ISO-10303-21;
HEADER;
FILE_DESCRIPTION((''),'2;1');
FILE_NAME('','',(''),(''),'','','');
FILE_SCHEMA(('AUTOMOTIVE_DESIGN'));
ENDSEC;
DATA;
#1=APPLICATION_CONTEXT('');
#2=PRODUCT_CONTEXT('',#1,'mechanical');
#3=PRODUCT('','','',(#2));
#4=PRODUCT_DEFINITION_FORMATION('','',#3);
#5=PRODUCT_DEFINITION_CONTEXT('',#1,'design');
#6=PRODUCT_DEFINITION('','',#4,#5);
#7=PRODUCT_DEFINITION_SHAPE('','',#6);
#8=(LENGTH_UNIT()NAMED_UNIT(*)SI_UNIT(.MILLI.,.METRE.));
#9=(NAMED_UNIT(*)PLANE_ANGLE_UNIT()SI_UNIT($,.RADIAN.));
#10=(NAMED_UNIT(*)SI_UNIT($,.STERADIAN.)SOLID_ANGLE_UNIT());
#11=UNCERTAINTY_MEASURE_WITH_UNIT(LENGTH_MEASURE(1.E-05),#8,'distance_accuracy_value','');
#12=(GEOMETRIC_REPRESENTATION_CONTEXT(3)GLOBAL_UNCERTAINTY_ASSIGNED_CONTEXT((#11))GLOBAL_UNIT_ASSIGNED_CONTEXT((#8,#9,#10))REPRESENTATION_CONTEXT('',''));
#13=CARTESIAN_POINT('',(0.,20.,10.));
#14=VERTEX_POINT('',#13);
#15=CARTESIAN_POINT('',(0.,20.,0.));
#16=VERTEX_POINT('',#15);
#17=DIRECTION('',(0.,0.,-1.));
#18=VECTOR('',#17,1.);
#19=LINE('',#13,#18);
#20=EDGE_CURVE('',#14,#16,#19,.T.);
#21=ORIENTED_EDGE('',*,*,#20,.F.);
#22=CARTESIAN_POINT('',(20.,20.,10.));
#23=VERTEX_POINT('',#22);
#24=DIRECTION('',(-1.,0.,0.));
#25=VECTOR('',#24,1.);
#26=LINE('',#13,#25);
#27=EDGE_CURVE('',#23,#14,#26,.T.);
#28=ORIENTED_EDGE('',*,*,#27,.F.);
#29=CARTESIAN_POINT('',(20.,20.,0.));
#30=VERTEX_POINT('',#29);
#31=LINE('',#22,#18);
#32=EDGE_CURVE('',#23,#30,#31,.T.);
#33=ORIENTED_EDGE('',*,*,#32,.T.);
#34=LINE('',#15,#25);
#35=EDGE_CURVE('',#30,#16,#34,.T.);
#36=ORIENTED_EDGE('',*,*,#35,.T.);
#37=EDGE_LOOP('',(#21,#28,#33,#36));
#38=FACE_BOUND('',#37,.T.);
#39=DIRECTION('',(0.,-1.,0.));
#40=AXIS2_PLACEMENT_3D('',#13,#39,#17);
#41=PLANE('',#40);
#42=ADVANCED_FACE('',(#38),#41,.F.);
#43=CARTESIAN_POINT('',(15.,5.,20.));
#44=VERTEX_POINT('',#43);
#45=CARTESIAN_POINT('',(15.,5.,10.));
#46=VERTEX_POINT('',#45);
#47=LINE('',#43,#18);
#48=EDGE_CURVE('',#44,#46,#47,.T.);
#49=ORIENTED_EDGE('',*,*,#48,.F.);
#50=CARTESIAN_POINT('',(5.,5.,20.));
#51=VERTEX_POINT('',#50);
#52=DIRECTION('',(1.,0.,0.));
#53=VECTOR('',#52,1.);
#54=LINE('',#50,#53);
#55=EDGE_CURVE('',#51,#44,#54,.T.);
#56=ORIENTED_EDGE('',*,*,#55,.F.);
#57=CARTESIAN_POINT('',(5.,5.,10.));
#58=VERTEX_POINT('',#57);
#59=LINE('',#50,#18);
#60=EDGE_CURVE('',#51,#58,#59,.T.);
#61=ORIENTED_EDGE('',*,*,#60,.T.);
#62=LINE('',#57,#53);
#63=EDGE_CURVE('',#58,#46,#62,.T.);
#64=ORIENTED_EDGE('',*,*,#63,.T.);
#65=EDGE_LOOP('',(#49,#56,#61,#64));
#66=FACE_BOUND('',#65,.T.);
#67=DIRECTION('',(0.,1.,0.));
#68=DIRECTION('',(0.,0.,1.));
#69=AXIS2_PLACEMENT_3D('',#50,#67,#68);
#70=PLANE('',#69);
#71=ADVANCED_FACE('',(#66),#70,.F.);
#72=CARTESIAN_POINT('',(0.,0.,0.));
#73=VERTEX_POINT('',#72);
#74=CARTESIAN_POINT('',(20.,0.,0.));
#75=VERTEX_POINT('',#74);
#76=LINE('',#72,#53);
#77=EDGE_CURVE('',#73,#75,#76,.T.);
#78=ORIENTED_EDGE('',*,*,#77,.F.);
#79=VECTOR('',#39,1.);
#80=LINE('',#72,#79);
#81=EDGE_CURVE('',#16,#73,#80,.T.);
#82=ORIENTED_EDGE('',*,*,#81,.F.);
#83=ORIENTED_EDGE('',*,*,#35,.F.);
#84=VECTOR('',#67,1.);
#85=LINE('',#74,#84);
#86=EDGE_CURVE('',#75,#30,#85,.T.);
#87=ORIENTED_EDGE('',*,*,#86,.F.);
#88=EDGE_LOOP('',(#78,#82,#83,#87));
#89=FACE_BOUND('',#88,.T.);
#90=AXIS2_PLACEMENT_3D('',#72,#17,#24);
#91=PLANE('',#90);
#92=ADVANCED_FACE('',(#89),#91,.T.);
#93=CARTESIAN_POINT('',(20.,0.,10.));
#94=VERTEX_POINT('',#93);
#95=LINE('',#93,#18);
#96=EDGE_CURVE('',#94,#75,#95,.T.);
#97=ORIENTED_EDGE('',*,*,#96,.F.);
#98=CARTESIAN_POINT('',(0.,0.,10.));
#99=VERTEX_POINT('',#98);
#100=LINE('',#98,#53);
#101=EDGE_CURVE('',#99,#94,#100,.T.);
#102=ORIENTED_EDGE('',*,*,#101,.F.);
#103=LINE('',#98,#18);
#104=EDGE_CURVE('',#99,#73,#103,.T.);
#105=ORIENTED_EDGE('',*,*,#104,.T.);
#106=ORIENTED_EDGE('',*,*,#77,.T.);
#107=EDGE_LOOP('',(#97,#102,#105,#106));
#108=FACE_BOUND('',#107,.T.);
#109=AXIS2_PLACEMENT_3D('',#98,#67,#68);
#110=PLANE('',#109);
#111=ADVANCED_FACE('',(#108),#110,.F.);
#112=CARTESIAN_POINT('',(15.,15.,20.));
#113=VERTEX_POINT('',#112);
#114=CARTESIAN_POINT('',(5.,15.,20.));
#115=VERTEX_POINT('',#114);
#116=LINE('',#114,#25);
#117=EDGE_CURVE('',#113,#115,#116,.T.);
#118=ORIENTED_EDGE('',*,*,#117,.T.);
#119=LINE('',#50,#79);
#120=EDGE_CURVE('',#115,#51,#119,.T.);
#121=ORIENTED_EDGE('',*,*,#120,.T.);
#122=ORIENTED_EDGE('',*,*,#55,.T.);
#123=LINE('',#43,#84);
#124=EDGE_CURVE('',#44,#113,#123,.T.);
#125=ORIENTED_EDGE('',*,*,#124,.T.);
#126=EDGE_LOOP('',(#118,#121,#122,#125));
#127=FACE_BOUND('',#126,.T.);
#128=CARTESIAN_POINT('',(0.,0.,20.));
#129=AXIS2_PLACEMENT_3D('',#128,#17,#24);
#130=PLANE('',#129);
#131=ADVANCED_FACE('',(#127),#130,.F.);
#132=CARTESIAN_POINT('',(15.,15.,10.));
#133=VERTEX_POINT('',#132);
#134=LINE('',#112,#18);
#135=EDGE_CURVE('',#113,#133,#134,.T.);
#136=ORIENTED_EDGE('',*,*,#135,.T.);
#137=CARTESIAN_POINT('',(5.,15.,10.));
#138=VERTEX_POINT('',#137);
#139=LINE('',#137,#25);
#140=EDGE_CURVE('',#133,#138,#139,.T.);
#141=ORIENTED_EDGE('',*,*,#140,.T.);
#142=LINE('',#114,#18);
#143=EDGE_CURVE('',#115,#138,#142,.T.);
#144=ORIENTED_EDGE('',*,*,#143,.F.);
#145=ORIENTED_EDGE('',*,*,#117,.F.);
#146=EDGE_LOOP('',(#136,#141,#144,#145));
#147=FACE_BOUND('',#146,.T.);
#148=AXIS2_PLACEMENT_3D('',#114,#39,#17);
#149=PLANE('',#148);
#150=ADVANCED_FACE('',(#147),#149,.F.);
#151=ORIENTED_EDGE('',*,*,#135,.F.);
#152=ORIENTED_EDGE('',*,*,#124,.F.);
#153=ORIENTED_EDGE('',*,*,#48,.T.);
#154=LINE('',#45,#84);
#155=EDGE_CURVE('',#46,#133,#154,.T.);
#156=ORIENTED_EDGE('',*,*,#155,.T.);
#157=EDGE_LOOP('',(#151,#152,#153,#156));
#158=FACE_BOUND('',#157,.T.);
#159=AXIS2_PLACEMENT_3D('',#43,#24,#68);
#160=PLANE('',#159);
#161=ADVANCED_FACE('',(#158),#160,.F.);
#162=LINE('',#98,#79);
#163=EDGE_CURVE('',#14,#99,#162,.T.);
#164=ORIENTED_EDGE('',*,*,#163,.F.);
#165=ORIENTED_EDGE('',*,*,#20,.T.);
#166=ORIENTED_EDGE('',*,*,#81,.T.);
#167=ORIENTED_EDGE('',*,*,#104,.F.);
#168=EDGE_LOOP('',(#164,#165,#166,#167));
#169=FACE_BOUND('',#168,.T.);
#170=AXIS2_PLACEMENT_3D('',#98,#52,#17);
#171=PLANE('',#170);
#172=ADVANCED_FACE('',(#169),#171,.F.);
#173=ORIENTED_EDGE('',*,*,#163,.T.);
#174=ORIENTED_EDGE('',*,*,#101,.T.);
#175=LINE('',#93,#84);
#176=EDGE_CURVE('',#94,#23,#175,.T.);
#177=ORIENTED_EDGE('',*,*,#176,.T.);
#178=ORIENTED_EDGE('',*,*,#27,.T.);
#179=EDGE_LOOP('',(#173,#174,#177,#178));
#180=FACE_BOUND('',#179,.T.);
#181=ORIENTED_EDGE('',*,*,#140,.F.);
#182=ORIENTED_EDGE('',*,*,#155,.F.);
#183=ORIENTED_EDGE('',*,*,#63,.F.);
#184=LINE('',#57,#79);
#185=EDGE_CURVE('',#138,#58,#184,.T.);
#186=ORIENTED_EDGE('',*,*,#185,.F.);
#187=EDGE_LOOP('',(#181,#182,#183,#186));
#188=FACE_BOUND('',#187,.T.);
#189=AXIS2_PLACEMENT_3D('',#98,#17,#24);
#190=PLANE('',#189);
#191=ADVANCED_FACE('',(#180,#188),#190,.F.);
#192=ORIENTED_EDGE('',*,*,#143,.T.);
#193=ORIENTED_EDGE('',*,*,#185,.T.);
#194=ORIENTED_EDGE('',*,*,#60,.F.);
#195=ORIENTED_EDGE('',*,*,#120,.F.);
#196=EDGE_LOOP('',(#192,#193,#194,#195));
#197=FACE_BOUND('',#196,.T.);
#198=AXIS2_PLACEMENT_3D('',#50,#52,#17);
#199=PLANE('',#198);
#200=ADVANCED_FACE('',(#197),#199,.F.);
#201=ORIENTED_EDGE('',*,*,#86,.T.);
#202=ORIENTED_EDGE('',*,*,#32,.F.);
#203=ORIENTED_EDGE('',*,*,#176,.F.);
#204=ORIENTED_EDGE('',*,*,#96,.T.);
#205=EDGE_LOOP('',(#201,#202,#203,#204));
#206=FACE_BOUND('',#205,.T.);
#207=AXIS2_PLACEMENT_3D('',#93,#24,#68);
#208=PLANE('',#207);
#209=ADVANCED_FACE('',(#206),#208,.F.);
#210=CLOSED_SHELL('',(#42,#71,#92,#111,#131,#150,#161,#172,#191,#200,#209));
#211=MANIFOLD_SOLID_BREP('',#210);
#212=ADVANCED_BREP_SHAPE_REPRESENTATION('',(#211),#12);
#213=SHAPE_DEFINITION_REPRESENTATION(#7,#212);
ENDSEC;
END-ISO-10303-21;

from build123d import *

# Parameters (mm, degrees)
SKETCH_1_W                = 20
SKETCH_1_H                = 20
BASEBOX_DEPTH             = 10
SKETCH_2_W                = 10
SKETCH_2_H                = 10
DRAFTDIR2_DEPTH           = 10
DRAFTDIR2_OTHER_WAY_DEPTH = 5
DRAFTDIR2_OTHER_WAY_TAPER = 3


with BuildPart() as part:
    # 草图1 → BaseBox (new body)
    with BuildSketch(Plane.XY):
        with Locations((10, 10)):
            Rectangle(SKETCH_1_W, SKETCH_1_H)
    extrude(amount=BASEBOX_DEPTH)

    # 草图2 → DraftDir2 (add)
    with BuildSketch(Plane.XY.offset(10)):
        with Locations((10, 10)):
            Rectangle(SKETCH_2_W, SKETCH_2_H)
    extrude(amount=DRAFTDIR2_DEPTH)

    # 草图2 → DraftDir2 other way (add)
    with BuildSketch(Plane.XY.offset(10)):
        with Locations((10, 10)):
            Rectangle(SKETCH_2_W, SKETCH_2_H)
    extrude(amount=-DRAFTDIR2_OTHER_WAY_DEPTH, taper=DRAFTDIR2_OTHER_WAY_TAPER)


solid = part.part
